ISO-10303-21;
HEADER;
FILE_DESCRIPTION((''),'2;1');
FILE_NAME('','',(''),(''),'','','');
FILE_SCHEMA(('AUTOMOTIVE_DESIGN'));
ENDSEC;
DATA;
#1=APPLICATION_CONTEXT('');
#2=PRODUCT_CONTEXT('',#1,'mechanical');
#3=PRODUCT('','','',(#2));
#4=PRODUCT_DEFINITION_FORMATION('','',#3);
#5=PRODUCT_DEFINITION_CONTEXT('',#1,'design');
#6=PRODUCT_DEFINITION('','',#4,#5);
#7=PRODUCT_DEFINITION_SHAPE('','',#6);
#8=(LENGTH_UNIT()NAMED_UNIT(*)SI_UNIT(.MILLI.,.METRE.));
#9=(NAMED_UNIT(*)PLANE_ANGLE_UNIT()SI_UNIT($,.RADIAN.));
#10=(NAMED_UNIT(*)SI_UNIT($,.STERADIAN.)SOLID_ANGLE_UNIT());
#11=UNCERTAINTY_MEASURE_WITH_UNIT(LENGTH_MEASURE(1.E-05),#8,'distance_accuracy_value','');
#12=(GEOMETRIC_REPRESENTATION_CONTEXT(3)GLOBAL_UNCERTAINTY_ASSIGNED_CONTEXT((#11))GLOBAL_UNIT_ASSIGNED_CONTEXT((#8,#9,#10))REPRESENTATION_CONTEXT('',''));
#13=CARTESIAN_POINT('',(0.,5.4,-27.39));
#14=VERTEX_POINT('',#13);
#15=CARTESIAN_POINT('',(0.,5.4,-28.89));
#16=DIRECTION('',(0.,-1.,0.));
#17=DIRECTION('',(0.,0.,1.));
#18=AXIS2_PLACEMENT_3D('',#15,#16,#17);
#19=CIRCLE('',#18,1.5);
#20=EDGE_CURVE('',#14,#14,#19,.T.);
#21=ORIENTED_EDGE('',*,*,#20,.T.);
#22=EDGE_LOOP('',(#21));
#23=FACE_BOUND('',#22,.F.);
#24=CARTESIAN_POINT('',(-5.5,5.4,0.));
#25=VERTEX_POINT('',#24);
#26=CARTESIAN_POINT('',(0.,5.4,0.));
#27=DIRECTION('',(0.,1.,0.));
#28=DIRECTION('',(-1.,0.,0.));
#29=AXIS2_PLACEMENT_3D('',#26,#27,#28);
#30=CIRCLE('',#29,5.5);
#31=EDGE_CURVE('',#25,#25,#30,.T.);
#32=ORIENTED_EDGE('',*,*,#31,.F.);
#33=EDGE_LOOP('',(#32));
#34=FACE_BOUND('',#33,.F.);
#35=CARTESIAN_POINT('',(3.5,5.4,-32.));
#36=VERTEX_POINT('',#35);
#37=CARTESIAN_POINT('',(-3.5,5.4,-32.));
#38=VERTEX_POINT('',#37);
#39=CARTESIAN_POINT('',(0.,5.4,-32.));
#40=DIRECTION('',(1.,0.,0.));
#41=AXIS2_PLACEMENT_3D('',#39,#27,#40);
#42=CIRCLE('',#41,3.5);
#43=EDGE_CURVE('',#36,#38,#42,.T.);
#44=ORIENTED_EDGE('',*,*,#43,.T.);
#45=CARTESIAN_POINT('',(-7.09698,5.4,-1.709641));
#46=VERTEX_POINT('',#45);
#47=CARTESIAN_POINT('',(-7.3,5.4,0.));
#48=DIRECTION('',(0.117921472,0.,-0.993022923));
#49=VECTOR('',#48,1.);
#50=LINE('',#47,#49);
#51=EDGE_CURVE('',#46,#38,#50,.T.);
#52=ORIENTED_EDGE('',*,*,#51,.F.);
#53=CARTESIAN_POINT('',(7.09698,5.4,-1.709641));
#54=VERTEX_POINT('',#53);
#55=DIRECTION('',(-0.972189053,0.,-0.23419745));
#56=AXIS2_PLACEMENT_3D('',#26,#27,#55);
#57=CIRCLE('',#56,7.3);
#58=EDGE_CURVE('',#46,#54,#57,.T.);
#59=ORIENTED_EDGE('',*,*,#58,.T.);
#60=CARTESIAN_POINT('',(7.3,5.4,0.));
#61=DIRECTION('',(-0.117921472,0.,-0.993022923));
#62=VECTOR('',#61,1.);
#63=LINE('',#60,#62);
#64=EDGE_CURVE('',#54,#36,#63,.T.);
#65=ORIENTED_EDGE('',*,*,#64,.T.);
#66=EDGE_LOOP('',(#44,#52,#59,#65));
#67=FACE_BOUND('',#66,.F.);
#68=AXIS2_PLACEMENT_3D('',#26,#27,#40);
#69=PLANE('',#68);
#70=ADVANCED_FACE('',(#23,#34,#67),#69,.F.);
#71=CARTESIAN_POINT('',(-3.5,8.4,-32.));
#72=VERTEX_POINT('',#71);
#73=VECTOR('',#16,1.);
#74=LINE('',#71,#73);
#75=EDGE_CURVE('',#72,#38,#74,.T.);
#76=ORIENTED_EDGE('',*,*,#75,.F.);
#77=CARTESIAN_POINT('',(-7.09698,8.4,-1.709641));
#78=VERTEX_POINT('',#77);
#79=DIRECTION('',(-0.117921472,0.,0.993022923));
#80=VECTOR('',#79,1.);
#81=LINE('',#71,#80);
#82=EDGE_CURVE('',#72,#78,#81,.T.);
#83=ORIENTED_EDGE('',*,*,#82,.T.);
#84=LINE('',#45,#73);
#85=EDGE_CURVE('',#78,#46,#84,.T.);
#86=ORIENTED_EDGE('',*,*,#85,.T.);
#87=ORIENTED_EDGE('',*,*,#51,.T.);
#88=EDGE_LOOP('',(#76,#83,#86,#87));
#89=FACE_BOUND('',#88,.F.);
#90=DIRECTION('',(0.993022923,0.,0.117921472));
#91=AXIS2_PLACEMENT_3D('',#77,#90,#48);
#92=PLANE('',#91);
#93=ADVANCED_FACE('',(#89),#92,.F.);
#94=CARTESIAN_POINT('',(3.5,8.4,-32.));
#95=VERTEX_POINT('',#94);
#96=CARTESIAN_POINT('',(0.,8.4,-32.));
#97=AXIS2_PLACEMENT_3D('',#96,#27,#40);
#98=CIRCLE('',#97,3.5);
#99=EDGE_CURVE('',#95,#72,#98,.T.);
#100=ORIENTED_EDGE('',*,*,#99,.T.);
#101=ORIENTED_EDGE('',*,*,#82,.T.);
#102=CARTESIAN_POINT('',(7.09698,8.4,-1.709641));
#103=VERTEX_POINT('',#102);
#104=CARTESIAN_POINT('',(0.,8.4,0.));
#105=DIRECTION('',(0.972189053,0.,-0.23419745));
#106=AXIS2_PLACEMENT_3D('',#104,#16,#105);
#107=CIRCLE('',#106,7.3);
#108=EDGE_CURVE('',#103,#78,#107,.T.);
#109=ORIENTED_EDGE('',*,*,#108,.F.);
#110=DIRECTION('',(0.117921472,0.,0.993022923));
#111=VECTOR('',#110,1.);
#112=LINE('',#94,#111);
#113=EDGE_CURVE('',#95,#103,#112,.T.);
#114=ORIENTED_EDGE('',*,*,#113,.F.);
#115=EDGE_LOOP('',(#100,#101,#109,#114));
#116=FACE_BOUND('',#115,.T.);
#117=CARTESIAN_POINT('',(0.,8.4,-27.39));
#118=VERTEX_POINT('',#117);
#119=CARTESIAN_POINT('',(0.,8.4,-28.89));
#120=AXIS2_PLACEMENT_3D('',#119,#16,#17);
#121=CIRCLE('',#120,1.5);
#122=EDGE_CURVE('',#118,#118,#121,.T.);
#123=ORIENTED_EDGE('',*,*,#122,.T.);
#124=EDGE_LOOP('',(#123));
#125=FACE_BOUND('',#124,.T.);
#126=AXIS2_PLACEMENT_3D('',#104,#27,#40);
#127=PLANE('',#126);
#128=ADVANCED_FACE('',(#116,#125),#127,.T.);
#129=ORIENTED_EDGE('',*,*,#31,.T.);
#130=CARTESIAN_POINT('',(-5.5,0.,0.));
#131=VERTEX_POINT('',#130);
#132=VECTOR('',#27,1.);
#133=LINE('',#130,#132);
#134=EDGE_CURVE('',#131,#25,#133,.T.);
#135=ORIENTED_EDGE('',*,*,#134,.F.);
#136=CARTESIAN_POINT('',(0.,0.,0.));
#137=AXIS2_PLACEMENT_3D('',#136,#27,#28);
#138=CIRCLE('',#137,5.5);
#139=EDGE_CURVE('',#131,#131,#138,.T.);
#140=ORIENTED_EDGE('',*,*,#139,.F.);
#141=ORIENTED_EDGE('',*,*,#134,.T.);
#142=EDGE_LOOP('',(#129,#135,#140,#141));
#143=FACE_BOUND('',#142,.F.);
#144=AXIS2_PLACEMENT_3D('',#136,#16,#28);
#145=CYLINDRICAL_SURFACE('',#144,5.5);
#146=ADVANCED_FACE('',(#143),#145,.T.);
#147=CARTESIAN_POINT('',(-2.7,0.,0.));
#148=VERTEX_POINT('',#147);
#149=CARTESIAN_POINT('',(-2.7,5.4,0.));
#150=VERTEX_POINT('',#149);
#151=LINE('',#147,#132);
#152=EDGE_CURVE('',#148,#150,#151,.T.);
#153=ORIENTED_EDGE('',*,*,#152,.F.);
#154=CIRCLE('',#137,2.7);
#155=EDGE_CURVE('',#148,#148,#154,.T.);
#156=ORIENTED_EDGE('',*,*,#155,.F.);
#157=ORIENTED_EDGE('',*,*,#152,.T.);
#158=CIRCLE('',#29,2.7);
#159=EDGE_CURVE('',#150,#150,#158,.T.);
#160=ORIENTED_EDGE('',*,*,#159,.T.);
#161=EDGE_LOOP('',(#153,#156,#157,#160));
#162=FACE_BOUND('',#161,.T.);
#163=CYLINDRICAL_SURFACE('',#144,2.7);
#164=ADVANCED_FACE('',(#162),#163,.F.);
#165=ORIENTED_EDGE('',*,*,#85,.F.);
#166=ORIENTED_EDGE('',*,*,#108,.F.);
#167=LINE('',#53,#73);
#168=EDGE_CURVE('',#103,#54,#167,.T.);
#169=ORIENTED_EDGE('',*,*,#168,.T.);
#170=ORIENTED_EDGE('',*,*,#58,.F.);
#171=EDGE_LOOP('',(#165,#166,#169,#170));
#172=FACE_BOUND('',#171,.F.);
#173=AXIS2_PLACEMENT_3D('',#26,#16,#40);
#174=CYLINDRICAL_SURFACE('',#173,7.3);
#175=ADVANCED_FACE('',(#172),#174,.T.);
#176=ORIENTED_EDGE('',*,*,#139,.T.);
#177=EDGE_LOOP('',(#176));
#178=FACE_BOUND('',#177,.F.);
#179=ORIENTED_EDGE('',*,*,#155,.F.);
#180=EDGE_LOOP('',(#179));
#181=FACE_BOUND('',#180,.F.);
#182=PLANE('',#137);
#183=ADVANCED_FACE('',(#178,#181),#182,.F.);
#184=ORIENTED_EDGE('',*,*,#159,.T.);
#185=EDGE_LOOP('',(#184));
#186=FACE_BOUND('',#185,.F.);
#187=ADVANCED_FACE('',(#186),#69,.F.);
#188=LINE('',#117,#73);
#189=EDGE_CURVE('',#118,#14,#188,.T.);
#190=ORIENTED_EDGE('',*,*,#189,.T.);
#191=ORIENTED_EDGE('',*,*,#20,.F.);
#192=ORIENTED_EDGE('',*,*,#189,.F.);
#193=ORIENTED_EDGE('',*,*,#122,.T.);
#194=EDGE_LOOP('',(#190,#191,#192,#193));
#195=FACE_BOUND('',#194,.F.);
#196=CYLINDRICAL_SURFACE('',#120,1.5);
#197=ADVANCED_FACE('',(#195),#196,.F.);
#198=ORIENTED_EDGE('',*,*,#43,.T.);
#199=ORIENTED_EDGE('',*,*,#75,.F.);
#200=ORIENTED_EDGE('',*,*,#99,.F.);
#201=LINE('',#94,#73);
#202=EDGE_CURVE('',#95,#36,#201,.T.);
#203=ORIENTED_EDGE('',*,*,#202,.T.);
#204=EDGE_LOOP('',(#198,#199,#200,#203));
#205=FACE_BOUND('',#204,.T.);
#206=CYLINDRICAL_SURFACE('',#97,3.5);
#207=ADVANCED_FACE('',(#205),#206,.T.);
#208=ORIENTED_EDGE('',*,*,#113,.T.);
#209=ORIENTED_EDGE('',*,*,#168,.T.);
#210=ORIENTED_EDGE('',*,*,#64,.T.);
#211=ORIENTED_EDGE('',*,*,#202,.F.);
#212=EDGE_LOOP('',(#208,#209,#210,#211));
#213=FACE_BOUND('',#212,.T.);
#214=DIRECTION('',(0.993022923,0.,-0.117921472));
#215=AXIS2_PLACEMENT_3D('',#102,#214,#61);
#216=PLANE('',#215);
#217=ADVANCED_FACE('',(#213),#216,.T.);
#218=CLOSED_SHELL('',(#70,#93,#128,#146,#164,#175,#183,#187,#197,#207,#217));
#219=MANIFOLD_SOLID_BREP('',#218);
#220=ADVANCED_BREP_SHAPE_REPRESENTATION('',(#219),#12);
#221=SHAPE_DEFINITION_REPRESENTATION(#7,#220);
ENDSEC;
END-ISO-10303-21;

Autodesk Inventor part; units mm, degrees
ref_plane "YZ Plane" through (0, 0, 0) normal (1, 0, 0) x (0, 1, 0)
ref_plane "XZ Plane" through (0, 0, 0) normal (0, 1, 0) x (-1, 0, 0)
ref_plane "XY Plane" through (0, 0, 0) normal (0, 0, 1) x (1, 0, 0)
sketch "Sketch1" plane through (0, 0, 0) normal (0, 1, 0) x (-1, 0, 0)
  circle A0 centre (0, 0) radius 2.7
  circle A1 centre (0, 0) radius 5.5
  dimension "d0" = 5.4
  dimension "d1" = 11
extrude "Extrusion1" add sketch "Sketch1" along normal blind 5.4
sketch "Sketch2" plane through (0, 5.4, 0) normal (0, 1, 0) x (1, 0, 0)
  circle A0 centre (0, 0) radius 7.3
  dimension "d4" = 14.6
extrude "Extrusion2" add sketch "Sketch2" along normal blind 3
sketch "Sketch3" plane through (0, 8.4, 0) normal (0, 1, 0) x (1, 0, 0)
  arc A0 (3.5, 32) -> (-3.5, 32) centre (0, 32) ccw
  circle A1 centre (0, 0) radius 7.3 projected
  line L0 (-7.3, 0) -> (-3.5, 32)
  line L1 (7.3, 0) -> (3.5, 32)
  dimension "d7" = 7
  dimension "d8" = 32
extrude "Extrusion3" add sketch "Sketch3" against normal blind 3 contours L1 A1 L0 A0 | L1 A1 L0
sketch "Sketch5" plane through (0, 8.4, 0) normal (0, 1, 0) x (1, 0, 0)
  point P0 (0, 0)
  point P1 (0, 28.89)
  dimension "d18" = 28.89
hole "Hole2" at (0, 8.4, -28.89) direction (0, -1, 0) diameter 3 end through all
properties part number "big_servo_arm"
